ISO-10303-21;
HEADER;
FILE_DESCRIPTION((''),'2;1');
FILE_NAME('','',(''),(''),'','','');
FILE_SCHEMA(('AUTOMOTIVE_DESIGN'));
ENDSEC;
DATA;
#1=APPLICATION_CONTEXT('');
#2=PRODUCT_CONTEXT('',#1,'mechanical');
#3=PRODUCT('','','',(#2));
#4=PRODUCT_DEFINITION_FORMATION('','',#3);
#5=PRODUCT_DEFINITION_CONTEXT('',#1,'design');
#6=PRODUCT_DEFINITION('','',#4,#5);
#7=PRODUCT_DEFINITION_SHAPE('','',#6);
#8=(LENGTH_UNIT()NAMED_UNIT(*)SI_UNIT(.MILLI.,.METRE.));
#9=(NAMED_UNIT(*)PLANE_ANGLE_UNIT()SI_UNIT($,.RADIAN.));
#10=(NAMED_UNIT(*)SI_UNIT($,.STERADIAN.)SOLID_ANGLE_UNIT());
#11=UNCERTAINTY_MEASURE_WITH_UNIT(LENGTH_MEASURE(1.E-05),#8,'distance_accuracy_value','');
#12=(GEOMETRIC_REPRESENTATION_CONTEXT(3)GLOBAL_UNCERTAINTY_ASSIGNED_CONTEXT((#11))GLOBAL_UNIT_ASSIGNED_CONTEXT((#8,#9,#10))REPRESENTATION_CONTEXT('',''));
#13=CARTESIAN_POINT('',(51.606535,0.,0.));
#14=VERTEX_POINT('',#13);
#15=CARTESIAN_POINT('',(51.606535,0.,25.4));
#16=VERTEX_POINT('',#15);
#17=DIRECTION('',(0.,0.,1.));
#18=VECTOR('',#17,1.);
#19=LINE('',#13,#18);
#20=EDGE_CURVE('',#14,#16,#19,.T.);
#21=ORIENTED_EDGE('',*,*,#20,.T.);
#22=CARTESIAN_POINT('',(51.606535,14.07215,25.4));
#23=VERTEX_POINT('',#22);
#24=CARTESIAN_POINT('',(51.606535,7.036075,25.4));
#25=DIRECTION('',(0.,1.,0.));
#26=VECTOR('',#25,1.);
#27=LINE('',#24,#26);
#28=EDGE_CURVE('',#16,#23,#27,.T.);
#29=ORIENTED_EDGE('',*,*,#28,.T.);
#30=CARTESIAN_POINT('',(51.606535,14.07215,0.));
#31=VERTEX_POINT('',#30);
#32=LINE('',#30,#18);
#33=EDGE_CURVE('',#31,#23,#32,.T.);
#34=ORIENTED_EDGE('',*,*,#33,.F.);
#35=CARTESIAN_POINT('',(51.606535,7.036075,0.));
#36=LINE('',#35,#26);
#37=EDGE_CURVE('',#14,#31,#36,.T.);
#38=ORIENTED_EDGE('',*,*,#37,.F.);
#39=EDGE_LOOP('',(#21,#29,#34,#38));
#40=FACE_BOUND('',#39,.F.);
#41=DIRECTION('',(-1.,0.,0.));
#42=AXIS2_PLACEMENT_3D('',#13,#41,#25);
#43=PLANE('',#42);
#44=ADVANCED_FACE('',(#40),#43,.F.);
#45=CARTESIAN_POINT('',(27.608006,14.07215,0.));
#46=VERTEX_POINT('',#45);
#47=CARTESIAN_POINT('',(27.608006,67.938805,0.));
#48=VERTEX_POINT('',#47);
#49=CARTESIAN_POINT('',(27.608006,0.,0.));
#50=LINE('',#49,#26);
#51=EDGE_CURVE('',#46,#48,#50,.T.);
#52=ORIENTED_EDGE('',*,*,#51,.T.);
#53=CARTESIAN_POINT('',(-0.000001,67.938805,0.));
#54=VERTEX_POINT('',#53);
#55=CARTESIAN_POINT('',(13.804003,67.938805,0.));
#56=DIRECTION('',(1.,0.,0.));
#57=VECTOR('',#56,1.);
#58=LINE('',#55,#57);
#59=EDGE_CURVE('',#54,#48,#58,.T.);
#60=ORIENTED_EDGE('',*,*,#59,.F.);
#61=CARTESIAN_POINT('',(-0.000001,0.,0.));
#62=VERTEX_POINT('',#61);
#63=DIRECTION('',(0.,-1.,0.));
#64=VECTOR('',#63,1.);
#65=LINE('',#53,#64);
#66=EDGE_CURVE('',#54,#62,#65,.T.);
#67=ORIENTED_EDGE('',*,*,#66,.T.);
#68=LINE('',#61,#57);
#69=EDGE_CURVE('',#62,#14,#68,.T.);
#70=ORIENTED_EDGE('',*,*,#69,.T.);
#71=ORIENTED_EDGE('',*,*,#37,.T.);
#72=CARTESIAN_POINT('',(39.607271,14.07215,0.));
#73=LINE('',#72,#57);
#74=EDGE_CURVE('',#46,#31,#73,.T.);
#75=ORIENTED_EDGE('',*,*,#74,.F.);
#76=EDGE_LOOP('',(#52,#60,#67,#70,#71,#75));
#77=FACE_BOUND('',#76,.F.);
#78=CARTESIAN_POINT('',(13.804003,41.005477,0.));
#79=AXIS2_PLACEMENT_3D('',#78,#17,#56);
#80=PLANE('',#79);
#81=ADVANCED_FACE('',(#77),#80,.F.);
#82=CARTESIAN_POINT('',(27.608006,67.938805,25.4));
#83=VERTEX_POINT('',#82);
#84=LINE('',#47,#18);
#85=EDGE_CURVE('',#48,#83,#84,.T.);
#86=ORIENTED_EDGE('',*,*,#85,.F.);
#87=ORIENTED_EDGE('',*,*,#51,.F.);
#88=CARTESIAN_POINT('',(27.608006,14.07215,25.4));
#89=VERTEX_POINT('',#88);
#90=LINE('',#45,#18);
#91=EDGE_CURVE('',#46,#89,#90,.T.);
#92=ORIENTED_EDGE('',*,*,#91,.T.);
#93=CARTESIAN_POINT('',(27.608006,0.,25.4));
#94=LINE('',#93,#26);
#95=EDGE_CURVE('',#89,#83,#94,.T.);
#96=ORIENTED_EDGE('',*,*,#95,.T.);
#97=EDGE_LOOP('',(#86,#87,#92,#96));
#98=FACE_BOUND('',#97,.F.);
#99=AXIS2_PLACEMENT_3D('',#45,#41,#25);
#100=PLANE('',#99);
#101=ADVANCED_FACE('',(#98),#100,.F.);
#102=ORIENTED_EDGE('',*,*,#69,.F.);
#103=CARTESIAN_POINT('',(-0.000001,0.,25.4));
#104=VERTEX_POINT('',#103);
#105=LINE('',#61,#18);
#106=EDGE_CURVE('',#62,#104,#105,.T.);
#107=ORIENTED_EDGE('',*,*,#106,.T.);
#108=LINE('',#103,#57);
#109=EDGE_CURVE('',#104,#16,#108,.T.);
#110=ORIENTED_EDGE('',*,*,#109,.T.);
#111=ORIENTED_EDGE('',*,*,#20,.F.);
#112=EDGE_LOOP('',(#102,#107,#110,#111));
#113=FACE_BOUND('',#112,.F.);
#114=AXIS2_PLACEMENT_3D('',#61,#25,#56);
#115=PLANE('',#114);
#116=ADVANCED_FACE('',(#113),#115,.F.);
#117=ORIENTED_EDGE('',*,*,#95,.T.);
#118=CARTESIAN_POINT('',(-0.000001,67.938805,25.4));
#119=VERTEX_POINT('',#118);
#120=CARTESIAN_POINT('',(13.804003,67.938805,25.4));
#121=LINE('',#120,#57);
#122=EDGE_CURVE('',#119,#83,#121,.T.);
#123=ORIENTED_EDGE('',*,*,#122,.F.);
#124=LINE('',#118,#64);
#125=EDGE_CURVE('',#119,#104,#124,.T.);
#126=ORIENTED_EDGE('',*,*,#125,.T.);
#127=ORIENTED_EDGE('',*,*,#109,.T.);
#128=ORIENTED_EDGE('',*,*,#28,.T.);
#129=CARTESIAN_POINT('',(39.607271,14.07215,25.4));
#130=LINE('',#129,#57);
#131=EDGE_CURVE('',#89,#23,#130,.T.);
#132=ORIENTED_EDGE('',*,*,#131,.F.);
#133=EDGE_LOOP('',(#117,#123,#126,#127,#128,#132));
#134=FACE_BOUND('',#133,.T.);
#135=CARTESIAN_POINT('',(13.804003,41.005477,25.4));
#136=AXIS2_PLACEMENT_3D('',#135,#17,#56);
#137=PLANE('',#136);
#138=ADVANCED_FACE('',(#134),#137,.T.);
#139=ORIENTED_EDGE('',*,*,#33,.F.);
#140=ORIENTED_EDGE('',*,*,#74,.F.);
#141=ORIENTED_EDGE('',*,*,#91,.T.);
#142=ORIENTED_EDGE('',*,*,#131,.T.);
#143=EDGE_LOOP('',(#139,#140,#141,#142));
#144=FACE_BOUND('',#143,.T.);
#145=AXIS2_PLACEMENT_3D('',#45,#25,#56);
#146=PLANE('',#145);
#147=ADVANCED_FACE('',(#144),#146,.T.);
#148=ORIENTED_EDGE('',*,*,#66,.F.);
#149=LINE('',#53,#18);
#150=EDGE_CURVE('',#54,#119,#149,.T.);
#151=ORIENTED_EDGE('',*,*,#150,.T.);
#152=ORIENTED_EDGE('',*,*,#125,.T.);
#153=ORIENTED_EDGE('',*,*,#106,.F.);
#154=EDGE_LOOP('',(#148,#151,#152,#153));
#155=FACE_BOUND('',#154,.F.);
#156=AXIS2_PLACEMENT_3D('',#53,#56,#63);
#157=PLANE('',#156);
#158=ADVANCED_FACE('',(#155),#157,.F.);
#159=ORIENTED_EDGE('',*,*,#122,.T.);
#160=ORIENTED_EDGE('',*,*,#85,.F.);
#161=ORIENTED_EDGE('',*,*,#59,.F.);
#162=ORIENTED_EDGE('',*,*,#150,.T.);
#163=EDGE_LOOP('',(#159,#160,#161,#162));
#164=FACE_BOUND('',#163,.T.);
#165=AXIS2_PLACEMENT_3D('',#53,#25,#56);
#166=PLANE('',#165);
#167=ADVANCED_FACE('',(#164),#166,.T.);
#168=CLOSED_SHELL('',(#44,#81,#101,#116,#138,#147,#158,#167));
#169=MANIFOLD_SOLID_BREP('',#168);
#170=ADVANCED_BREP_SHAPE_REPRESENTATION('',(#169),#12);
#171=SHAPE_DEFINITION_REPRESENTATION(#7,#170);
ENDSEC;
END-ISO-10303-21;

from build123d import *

# Parameters (mm, degrees)
F0_W     = 27.608007
F0_H     = 53.866655
F0_H_2   = 14.07215
F0_W_2   = 23.998529
F1_DEPTH = 25.4


with BuildPart() as f1:
    # F0 (on Top) → F1 (new body)
    with BuildSketch(Plane.XY):
        with Locations((13.804003, 41.005477)):
            Rectangle(F0_W, F0_H)
        with Locations((13.804003, 7.036075)):
            Rectangle(F0_W, F0_H_2)
        with Locations((39.607271, 7.036075)):
            Rectangle(F0_W_2, F0_H_2)
    extrude(amount=F1_DEPTH)


solid = f1.part
